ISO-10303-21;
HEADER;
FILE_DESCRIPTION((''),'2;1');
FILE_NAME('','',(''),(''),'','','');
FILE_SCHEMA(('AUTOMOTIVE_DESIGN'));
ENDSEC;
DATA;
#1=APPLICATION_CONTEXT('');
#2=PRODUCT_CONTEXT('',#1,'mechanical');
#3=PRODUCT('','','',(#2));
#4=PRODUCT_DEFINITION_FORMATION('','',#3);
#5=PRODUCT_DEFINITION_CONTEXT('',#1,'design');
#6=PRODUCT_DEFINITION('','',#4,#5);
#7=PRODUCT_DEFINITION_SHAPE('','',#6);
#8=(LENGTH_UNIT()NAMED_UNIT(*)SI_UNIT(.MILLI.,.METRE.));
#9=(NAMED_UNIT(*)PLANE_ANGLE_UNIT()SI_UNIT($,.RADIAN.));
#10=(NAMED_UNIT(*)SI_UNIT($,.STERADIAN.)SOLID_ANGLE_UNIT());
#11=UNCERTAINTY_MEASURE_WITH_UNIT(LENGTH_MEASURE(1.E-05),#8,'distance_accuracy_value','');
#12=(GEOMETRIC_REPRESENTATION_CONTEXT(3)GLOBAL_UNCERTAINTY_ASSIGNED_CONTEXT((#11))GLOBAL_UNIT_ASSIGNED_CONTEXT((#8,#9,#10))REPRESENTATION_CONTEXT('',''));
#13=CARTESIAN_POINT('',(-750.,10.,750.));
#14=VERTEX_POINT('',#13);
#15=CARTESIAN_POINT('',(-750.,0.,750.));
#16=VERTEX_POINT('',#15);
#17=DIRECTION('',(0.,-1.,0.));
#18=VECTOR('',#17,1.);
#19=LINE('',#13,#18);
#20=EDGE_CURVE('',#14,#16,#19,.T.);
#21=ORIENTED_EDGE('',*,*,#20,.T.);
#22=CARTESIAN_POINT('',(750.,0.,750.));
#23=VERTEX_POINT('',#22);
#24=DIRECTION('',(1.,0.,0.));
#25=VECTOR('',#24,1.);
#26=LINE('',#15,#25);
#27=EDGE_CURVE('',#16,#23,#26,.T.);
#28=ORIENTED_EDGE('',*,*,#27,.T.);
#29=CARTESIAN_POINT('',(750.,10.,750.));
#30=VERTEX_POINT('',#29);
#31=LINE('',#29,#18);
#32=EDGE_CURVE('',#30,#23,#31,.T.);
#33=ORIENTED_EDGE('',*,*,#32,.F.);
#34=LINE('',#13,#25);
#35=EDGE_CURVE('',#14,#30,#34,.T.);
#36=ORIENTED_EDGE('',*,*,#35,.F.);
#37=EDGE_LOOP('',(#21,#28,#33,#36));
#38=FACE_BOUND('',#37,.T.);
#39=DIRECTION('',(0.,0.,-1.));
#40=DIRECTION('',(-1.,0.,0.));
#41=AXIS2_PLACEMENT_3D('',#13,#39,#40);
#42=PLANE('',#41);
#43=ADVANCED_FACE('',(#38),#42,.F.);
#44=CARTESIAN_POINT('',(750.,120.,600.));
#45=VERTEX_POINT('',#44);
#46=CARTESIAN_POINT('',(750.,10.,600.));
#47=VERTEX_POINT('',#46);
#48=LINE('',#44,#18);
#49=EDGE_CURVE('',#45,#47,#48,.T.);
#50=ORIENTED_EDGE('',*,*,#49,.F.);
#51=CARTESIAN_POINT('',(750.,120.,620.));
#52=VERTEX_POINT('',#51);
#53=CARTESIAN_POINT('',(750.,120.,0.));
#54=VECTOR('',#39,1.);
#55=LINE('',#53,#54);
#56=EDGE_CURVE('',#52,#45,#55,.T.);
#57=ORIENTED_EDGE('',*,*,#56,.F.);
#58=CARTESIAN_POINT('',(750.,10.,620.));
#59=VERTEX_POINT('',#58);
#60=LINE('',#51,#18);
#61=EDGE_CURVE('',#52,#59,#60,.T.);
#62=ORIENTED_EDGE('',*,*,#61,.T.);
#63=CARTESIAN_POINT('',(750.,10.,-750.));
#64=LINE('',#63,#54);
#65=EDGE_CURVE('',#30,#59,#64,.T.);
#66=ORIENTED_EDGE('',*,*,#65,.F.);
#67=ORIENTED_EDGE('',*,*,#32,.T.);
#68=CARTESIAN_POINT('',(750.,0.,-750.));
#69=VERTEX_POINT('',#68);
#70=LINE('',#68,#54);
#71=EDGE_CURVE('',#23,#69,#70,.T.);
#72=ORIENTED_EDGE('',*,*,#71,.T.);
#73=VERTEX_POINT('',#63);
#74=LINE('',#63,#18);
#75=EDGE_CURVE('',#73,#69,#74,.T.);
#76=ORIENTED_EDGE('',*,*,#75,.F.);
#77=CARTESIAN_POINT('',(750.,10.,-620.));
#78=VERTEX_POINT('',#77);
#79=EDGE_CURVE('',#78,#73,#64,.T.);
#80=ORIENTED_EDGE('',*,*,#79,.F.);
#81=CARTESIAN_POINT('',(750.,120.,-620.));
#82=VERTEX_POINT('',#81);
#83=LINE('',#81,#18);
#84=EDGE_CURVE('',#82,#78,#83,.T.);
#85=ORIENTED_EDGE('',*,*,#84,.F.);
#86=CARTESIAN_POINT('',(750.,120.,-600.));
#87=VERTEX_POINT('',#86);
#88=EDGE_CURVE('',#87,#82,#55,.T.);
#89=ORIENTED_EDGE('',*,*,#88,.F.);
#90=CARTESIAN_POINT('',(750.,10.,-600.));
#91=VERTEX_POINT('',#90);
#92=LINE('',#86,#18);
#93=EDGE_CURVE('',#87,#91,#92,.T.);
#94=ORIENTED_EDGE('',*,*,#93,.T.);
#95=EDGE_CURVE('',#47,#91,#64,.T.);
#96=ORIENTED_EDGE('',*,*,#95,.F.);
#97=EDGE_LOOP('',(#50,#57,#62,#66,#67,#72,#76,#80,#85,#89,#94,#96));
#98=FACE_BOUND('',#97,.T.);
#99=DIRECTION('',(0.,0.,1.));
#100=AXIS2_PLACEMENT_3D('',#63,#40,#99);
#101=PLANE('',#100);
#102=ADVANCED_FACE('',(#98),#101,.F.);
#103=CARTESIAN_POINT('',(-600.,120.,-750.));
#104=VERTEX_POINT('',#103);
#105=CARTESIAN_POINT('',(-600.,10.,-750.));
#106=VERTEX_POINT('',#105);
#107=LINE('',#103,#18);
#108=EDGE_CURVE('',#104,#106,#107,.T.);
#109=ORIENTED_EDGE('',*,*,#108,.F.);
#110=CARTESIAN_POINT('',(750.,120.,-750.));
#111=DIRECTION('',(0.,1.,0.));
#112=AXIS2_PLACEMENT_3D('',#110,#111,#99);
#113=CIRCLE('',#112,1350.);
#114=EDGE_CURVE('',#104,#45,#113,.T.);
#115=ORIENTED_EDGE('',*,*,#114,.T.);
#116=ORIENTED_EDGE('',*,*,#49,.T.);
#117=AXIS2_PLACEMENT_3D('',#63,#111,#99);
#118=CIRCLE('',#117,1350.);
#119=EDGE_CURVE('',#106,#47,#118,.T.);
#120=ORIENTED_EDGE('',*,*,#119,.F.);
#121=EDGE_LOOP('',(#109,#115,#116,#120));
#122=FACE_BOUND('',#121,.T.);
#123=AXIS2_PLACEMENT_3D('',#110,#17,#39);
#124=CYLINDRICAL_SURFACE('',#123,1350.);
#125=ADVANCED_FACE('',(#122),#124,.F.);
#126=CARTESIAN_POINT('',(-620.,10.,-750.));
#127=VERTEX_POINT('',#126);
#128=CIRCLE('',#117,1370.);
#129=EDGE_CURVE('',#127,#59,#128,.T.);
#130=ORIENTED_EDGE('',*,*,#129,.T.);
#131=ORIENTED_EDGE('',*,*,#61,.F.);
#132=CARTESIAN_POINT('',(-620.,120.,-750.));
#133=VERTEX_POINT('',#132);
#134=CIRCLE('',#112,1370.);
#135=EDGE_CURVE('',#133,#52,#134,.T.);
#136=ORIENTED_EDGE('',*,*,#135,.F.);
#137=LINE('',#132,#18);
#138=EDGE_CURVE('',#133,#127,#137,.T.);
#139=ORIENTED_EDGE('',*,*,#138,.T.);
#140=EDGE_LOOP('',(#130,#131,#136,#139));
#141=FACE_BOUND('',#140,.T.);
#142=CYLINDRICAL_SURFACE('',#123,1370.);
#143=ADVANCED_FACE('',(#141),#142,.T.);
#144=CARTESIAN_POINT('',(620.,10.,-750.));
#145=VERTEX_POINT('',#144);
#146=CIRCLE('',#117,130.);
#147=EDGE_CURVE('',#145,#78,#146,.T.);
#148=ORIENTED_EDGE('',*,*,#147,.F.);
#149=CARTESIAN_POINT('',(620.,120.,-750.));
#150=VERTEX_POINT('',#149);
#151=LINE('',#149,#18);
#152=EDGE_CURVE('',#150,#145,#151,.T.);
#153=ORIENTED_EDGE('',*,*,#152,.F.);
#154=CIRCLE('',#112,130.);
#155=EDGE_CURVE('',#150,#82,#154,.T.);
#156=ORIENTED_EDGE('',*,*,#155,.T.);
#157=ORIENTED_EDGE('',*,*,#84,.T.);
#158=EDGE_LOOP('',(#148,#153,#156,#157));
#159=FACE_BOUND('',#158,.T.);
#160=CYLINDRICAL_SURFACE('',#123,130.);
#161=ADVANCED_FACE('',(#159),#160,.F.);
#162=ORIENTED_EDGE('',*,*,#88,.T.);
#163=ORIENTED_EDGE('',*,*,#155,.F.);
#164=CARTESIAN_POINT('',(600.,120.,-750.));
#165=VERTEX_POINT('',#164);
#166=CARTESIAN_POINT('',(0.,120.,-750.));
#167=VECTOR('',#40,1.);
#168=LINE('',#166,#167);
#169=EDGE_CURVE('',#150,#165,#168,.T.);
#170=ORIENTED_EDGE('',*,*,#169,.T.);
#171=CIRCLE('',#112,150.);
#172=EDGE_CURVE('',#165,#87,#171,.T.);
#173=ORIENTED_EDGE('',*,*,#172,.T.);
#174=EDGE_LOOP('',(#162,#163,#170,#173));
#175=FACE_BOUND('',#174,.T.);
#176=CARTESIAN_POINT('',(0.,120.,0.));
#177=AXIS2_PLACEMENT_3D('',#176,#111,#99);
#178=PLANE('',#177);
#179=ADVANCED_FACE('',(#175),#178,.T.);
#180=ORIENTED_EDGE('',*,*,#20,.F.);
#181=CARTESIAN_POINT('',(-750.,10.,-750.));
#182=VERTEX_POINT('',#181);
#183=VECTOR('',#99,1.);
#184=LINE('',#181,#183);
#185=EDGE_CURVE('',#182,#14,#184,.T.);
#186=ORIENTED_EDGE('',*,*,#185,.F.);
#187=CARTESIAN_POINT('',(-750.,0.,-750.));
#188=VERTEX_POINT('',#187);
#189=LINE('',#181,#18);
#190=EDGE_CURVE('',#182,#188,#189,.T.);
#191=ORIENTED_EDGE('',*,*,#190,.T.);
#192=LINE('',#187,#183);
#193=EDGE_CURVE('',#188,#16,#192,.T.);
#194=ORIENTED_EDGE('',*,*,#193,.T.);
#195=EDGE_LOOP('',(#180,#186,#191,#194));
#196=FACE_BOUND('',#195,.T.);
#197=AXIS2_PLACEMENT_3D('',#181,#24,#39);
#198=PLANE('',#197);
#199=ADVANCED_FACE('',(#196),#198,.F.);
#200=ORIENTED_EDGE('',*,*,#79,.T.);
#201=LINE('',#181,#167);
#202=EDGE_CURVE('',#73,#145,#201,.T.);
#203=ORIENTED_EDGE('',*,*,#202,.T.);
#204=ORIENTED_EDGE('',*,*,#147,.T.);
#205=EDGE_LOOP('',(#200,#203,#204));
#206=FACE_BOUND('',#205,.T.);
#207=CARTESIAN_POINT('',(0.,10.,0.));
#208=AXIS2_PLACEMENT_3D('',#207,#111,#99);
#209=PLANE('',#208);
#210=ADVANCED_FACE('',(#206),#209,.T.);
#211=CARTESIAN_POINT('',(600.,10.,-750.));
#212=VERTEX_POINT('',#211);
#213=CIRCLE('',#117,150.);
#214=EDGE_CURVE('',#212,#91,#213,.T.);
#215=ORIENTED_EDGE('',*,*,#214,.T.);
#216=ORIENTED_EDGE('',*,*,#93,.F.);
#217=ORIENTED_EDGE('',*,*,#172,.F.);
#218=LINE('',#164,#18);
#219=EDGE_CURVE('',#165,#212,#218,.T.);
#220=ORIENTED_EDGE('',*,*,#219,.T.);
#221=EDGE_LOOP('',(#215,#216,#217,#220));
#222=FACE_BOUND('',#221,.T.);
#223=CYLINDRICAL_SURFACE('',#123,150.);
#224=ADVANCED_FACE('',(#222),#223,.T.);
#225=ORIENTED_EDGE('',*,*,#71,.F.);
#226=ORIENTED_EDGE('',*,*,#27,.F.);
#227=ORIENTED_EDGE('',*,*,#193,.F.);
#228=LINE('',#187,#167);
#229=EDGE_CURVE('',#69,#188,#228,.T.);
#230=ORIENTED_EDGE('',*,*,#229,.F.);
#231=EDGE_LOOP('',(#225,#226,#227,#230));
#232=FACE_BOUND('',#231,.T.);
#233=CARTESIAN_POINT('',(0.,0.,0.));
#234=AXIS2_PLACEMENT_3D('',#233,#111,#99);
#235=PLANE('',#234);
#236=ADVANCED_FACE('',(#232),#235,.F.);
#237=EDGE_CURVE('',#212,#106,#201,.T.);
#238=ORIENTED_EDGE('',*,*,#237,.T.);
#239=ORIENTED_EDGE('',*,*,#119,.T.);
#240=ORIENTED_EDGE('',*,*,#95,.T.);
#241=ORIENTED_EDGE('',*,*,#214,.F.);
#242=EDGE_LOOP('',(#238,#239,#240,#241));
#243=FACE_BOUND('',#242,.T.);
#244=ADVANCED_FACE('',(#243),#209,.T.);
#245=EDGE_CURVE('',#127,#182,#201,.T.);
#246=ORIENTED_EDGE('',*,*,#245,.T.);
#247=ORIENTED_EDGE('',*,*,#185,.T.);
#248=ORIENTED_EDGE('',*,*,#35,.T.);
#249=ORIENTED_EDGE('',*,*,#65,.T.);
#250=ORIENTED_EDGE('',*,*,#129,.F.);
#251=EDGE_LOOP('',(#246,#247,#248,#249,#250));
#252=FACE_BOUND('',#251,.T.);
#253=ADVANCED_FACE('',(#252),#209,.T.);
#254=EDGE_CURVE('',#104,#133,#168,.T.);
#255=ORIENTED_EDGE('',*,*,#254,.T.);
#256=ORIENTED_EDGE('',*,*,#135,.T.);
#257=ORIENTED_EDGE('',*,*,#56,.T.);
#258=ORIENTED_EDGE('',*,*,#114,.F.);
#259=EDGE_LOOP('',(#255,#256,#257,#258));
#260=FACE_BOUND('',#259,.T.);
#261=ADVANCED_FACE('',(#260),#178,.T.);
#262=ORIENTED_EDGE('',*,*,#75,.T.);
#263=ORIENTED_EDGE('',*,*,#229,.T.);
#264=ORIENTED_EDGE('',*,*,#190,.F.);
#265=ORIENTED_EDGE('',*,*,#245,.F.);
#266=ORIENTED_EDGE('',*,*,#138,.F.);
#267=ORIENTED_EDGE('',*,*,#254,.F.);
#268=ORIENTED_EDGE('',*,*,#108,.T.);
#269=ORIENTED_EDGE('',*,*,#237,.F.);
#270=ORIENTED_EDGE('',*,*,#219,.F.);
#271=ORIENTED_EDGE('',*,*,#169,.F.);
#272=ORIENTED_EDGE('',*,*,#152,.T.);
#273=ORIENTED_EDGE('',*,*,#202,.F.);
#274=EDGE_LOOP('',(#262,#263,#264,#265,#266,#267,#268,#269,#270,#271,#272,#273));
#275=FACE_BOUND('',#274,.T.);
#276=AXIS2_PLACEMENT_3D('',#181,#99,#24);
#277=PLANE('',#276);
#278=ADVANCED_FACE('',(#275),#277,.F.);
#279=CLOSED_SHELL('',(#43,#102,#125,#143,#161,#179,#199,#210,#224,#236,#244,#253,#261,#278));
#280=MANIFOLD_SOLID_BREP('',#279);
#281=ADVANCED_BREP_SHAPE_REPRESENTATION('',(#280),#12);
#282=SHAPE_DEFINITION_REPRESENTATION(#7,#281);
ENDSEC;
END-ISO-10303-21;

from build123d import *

# Parameters (mm, degrees)
SKETCH2_W           = 1500
SKETCH2_H           = 1500
BOSS_EXTRUDE1_DEPTH = 10
BOSS_EXTRUDE2_DEPTH = 110


with BuildPart() as part:
    # Sketch2 → Boss-Extrude1 (new body)
    with BuildSketch(Plane(origin=(0, 0, 0), x_dir=(1, 0, 0), z_dir=(0, 1, 0))):
        Rectangle(SKETCH2_W, SKETCH2_H)
    extrude(amount=BOSS_EXTRUDE1_DEPTH)

    # Sketch3 → Boss-Extrude2 (add)
    with BuildSketch(Plane(origin=(0, 10, 0), x_dir=(1, 0, 0), z_dir=(0, 1, 0))):
        with BuildLine():
            ThreePointArc((750, -600), (-204.594154602, -204.594154602), (-600, 750))
            Line((-600, 750), (-620, 750))
            ThreePointArc((-620, 750), (-218.736290226, -218.736290226), (750, -620))
            Line((750, -620), (750, -600))
        make_face()
        with BuildLine():
            Line((620, 750), (600, 750))
            ThreePointArc((600, 750), (643.933982822, 643.933982822), (750, 600))
            Line((750, 600), (750, 620))
            ThreePointArc((750, 620), (658.076118446, 658.076118446), (620, 750))
        make_face()
    extrude(amount=BOSS_EXTRUDE2_DEPTH)


solid = part.part
